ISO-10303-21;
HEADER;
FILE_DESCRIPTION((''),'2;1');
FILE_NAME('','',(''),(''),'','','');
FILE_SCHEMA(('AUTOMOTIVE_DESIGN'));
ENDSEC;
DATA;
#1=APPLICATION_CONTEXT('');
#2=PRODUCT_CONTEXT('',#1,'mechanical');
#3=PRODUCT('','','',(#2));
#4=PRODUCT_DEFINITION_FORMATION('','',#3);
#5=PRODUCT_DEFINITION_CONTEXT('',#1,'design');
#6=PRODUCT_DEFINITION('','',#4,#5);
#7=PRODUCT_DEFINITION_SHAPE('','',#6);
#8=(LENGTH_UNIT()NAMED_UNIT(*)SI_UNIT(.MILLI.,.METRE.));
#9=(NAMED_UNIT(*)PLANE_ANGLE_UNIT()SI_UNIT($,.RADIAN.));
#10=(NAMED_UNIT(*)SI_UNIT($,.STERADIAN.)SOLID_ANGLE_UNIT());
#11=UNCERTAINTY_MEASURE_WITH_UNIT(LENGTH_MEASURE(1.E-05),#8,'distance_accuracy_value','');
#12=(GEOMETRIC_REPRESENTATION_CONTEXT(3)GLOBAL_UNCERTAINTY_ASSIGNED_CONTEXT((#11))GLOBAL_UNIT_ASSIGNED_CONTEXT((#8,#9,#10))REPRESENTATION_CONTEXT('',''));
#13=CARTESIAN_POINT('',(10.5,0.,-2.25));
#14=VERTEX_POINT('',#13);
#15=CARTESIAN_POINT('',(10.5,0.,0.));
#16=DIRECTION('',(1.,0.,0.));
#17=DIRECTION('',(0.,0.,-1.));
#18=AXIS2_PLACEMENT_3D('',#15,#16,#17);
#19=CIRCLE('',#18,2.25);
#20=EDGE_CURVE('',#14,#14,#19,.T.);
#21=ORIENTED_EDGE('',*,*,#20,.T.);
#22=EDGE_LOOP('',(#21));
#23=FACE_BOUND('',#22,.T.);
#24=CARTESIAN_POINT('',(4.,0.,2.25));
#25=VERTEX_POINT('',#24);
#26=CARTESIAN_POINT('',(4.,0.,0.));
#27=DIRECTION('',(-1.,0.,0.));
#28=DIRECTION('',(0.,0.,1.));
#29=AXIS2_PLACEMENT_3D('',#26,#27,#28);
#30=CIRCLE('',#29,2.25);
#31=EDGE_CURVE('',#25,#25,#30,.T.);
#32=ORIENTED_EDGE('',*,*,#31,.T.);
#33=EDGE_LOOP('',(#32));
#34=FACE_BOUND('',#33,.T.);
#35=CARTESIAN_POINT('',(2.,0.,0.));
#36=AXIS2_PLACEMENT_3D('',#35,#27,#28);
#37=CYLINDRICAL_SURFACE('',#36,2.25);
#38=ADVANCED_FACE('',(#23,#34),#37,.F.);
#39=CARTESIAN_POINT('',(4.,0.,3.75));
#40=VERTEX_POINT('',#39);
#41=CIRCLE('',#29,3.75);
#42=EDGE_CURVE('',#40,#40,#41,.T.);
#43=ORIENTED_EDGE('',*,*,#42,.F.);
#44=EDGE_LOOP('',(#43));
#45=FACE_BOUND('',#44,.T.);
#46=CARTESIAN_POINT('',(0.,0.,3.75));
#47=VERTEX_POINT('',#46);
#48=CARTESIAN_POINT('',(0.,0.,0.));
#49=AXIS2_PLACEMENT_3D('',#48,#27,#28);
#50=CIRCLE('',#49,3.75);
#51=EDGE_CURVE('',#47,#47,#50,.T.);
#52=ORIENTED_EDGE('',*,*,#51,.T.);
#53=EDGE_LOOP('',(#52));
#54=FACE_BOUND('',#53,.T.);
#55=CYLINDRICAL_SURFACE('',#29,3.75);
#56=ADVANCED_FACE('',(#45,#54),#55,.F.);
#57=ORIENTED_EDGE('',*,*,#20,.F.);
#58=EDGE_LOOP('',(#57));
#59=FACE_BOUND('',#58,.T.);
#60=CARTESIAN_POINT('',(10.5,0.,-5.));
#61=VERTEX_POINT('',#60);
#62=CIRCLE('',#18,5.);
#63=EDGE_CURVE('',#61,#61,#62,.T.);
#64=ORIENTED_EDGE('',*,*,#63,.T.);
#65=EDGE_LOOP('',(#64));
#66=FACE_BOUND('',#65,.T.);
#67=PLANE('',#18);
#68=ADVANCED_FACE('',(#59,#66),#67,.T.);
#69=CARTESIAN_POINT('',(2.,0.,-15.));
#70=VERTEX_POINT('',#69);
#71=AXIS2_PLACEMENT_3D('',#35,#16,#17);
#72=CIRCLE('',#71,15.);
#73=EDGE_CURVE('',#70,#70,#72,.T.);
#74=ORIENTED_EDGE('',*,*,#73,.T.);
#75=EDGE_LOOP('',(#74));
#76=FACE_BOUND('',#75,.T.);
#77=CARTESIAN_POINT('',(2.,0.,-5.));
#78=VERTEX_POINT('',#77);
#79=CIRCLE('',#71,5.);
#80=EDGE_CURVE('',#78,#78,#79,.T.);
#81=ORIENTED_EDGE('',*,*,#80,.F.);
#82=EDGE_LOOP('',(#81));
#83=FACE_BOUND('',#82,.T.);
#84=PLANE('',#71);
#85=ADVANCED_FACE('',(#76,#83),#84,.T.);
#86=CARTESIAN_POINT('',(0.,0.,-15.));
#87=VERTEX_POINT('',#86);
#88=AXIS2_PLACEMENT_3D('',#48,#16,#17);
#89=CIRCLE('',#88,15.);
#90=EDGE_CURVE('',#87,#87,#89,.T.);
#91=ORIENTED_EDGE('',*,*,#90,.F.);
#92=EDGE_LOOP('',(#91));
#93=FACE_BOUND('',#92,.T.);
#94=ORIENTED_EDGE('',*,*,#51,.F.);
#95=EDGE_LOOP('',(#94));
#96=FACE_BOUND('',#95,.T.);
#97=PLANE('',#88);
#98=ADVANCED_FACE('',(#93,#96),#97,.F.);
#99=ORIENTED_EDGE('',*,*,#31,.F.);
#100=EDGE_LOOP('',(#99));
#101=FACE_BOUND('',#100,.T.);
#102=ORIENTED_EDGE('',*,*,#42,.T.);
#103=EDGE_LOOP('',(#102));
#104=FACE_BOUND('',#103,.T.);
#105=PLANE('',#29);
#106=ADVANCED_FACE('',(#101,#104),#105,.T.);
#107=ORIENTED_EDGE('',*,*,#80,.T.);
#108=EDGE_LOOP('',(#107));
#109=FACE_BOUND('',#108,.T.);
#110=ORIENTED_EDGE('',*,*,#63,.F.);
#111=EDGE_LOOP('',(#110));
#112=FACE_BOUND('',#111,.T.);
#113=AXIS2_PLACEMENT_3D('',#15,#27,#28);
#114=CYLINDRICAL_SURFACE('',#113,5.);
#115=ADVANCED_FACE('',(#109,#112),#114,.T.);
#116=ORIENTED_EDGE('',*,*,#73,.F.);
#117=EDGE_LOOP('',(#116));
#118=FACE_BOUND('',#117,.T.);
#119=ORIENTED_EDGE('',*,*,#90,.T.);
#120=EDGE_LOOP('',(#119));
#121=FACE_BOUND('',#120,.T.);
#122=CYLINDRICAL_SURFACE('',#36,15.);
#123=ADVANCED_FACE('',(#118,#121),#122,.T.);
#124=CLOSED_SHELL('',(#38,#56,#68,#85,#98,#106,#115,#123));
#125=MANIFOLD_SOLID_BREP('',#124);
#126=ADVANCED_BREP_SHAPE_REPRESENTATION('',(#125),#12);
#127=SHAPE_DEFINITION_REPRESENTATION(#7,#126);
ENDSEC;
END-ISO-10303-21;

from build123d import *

# Parameters (mm, degrees)
CROQUIS1_R              = 15
CROQUIS1_R_2            = 2.25
SALIENTE_EXTRUIR1_DEPTH = 2
CROQUIS3_R              = 5
CROQUIS3_R_2            = 2.25
SALIENTE_EXTRUIR2_DEPTH = 8.5
CROQUIS4_R              = 3.75
CORTAR_EXTRUIR1_DEPTH   = 4


with BuildPart() as part:
    # Croquis1 → Saliente-Extruir1 (new body)
    with BuildSketch(Plane(origin=(0, 0, 0), x_dir=(0, 0, -1), z_dir=(1, 0, 0))):
        Circle(CROQUIS1_R)
        Circle(CROQUIS1_R_2, mode=Mode.SUBTRACT)
    extrude(amount=SALIENTE_EXTRUIR1_DEPTH)

    # Croquis3 → Saliente-Extruir2 (add)
    with BuildSketch(Plane(origin=(2, 0, 0), x_dir=(0, 0, -1), z_dir=(1, 0, 0))):
        Circle(CROQUIS3_R)
        Circle(CROQUIS3_R_2, mode=Mode.SUBTRACT)
    extrude(amount=SALIENTE_EXTRUIR2_DEPTH)

    # Croquis4 → Cortar-Extruir1 (cut)
    with BuildSketch(Plane.ZY):
        Circle(CROQUIS4_R)
    extrude(amount=-CORTAR_EXTRUIR1_DEPTH, mode=Mode.SUBTRACT)


solid = part.part
